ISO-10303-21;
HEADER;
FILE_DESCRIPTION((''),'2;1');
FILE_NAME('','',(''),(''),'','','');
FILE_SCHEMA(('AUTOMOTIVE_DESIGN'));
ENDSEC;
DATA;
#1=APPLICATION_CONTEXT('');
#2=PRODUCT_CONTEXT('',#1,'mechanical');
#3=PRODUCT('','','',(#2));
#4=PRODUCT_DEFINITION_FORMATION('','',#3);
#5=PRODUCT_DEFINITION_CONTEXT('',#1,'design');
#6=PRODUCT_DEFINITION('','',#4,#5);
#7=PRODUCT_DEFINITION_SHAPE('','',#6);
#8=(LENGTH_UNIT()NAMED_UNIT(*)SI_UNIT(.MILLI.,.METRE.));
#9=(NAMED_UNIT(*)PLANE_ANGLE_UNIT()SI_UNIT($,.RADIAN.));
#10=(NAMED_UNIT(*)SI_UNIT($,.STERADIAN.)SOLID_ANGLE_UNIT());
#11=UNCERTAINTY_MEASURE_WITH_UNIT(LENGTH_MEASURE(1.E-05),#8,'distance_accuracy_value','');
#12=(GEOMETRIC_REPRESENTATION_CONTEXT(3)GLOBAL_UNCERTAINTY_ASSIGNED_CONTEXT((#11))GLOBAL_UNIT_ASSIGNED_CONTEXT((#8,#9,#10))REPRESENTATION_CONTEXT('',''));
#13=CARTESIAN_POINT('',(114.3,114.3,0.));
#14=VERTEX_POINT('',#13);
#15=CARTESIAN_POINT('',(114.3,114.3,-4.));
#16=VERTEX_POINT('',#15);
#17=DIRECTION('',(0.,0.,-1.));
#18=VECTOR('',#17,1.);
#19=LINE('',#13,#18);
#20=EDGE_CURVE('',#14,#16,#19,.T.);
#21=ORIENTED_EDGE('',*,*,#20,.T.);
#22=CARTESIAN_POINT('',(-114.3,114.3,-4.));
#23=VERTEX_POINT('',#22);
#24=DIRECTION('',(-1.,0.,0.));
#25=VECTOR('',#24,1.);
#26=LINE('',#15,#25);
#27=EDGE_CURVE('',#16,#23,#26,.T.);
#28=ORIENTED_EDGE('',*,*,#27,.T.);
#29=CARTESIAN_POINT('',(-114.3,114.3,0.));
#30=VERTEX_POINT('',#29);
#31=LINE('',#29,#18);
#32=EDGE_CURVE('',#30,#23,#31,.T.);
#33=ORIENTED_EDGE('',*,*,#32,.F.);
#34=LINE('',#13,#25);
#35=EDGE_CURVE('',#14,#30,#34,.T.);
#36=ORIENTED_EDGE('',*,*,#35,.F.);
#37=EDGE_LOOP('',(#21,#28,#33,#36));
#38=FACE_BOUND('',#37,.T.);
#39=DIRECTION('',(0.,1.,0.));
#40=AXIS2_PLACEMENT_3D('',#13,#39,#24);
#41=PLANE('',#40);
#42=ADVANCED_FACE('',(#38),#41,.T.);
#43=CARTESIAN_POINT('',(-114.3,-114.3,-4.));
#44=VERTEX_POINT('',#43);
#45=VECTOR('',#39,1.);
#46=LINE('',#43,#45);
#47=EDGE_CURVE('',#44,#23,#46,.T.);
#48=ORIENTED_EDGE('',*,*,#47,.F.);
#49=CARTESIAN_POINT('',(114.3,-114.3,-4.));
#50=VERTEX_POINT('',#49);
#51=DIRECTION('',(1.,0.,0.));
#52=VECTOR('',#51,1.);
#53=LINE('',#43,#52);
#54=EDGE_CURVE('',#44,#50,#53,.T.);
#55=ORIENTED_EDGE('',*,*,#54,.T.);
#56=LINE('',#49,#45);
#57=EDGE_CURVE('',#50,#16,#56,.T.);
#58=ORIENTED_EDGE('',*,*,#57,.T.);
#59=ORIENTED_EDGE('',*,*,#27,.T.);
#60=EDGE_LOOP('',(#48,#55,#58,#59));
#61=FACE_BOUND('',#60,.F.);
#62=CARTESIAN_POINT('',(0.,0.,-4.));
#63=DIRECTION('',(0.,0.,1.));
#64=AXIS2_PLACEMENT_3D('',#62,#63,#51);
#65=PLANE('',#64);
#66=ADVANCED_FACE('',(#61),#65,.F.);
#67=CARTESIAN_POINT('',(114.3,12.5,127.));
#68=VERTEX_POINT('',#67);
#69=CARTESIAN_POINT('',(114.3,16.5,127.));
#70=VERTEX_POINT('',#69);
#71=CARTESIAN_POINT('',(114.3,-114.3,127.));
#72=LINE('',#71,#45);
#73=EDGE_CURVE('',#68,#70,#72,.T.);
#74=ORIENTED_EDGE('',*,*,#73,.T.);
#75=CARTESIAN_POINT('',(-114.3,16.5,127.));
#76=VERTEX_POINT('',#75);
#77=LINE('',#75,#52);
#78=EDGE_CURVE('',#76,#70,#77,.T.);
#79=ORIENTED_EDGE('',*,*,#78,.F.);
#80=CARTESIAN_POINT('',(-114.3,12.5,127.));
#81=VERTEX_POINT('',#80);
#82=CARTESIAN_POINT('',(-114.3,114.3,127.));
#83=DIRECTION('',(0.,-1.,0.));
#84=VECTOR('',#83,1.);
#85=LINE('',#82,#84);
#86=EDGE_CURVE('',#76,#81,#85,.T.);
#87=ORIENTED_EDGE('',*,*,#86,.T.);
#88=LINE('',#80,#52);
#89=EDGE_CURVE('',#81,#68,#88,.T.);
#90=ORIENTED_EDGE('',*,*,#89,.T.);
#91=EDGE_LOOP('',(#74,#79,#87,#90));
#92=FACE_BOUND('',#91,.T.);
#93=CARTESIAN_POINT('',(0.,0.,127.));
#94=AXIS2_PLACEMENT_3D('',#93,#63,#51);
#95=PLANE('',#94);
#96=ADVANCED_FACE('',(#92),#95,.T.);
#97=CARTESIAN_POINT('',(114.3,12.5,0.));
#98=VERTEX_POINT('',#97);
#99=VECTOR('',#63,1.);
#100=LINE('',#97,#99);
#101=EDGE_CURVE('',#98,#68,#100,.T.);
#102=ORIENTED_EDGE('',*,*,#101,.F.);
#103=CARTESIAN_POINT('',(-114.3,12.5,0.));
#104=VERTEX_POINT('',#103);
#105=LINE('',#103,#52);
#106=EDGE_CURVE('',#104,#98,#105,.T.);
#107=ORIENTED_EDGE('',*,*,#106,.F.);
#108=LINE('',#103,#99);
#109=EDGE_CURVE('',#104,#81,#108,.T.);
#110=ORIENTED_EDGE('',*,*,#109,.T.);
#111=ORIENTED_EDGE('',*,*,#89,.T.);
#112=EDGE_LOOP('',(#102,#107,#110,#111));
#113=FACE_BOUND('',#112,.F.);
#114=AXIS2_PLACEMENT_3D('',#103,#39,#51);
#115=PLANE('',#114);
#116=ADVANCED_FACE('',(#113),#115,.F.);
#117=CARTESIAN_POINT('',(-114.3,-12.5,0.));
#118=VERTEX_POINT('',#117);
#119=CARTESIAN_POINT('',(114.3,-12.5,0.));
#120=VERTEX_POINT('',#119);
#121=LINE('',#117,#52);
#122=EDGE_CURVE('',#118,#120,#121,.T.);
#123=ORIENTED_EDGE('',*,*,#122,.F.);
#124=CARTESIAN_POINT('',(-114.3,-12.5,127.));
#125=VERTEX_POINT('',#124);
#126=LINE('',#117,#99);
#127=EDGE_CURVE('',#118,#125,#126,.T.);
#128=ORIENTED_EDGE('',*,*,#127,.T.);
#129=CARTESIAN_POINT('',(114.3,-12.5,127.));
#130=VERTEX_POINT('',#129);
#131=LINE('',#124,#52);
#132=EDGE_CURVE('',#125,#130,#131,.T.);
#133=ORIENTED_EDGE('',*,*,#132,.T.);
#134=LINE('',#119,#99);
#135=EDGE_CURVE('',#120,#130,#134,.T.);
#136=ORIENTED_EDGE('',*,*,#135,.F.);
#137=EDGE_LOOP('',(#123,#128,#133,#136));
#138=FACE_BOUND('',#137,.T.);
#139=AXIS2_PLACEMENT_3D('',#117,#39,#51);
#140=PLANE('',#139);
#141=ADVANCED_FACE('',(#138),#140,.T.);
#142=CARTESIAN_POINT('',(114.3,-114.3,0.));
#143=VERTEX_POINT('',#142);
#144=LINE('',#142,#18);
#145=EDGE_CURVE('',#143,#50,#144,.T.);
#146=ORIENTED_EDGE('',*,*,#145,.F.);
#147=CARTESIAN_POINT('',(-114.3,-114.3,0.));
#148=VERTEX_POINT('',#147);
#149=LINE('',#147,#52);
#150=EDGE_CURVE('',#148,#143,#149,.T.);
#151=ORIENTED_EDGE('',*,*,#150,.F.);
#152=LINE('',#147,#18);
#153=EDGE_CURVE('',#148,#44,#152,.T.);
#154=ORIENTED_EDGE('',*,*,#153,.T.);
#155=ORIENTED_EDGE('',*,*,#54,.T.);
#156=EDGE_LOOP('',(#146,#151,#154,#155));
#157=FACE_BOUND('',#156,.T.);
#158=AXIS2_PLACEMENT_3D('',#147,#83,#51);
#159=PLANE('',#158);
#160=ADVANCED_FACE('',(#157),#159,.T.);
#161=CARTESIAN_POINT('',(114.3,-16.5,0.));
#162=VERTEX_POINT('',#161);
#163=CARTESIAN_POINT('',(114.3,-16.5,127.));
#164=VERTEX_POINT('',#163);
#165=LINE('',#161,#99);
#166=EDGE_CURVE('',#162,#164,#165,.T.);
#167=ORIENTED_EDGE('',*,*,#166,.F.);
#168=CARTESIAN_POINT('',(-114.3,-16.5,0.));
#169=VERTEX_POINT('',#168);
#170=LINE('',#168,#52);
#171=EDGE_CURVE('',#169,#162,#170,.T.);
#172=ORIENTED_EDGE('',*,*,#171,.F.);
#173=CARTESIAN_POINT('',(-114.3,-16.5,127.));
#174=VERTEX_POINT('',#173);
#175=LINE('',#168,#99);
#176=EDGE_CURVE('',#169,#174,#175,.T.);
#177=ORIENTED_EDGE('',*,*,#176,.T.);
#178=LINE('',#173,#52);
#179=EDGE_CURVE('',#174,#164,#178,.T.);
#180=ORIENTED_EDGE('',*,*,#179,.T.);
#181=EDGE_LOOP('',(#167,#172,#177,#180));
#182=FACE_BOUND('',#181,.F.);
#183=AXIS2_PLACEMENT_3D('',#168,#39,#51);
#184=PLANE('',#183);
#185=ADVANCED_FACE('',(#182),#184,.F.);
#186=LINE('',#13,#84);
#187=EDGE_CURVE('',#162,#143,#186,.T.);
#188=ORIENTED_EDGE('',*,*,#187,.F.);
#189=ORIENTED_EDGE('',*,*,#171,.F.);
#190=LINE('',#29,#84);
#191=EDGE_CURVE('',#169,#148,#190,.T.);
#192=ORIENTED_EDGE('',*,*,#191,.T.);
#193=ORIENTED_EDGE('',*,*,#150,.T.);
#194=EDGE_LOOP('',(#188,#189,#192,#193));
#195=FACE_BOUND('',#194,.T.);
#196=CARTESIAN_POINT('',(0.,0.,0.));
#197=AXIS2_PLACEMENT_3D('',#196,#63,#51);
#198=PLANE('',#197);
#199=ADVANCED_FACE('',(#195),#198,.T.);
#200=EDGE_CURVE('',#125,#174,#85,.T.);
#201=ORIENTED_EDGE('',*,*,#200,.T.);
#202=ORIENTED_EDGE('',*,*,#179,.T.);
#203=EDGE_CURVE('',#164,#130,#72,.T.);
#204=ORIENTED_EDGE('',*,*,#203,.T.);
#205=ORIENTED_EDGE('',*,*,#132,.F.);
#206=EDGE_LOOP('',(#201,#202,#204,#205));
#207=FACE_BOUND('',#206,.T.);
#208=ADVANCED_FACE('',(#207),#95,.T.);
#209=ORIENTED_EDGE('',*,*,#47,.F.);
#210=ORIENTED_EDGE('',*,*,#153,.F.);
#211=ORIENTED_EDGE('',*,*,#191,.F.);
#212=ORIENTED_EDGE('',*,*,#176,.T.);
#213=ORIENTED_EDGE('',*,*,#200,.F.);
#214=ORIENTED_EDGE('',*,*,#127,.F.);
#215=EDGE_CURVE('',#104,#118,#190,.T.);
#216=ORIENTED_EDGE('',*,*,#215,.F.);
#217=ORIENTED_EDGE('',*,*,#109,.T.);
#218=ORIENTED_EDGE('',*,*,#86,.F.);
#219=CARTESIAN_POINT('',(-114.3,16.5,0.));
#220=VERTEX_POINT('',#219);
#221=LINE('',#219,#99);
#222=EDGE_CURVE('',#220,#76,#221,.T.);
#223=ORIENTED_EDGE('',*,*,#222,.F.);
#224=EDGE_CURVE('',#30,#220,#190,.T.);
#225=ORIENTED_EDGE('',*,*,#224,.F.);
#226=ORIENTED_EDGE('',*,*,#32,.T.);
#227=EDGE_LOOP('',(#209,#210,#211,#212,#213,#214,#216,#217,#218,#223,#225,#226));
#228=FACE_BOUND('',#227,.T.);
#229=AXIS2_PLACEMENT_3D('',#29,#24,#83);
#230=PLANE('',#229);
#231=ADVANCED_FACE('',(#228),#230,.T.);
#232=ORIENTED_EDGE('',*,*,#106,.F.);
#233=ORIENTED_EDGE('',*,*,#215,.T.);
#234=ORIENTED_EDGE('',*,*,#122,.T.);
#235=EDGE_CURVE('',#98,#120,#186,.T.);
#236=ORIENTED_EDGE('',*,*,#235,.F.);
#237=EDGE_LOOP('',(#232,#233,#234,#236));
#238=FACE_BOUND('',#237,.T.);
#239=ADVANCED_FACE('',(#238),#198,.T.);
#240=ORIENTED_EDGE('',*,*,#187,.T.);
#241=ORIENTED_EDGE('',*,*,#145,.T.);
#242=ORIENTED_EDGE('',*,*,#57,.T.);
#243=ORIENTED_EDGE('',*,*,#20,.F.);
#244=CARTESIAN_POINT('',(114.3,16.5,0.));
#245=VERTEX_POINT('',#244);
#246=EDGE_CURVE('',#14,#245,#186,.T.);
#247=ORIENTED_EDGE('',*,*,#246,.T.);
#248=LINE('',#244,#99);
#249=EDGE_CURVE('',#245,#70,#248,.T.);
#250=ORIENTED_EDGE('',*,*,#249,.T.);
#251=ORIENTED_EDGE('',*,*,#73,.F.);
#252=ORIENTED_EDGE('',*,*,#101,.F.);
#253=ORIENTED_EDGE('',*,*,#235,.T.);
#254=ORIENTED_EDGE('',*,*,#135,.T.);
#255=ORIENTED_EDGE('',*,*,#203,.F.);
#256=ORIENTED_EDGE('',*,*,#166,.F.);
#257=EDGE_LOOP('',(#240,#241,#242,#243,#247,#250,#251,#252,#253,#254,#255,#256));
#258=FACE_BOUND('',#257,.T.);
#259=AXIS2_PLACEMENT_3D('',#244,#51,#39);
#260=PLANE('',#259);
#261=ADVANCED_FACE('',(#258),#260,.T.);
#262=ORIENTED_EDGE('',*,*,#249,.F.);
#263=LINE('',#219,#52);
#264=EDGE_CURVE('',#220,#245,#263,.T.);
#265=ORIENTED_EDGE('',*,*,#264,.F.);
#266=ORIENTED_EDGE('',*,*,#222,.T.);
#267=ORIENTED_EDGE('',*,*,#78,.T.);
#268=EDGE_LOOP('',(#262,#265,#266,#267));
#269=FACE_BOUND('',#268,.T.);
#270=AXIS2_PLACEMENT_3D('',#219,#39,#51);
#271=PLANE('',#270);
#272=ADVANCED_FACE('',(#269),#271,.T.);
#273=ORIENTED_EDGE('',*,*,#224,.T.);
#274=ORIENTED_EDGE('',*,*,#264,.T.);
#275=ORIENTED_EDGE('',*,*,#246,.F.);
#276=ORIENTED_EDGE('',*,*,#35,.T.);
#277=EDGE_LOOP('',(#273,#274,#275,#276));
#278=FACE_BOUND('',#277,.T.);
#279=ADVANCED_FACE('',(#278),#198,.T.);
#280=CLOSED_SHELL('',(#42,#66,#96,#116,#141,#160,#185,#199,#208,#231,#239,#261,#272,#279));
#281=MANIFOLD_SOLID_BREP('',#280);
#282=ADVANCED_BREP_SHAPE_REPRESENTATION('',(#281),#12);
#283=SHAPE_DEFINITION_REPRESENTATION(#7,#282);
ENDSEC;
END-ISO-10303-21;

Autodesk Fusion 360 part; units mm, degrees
sketch "Sketch1" plane through (0, 0, 0) normal (0, 0, 1) x (1, 0, 0)
  line L0 (114.3, 114.3) -> (-114.3, 114.3)
  line L1 (-114.3, 114.3) -> (-114.3, -114.3)
  line L2 (-114.3, -114.3) -> (114.3, -114.3)
  line L3 (114.3, -114.3) -> (114.3, 114.3)
  line L4 (114.3, 114.3) -> (-114.3, -114.3) construction
  line L5 (-114.3, 114.3) -> (114.3, -114.3) construction
  line L6 (0, 0) -> (114.3, 0)
  line L7 (0, 0) -> (-114.3, 0)
  line L8 (-114.3, 0) -> (-114.3, 12.5)
  line L9 (-114.3, 12.5) -> (114.3, 12.5)
  line L10 (-114.3, -12.5) -> (114.3, -12.5)
  line L11 (-114.3, -16.5) -> (114.3, -16.5)
  line L12 (-114.3, 16.5) -> (114.3, 16.5)
  dimension "d1" = 228.6
  dimension "d2" = 228.6
  dimension "d3" = 12.5
  dimension "d4" = 4
extrude "Extrude1" add sketch "Sketch1" against normal blind 4
extrude "Extrude2" add sketch "Sketch1" along normal blind 127 contours L1 L3 L9 L12 | L1 L3 L10 L11
